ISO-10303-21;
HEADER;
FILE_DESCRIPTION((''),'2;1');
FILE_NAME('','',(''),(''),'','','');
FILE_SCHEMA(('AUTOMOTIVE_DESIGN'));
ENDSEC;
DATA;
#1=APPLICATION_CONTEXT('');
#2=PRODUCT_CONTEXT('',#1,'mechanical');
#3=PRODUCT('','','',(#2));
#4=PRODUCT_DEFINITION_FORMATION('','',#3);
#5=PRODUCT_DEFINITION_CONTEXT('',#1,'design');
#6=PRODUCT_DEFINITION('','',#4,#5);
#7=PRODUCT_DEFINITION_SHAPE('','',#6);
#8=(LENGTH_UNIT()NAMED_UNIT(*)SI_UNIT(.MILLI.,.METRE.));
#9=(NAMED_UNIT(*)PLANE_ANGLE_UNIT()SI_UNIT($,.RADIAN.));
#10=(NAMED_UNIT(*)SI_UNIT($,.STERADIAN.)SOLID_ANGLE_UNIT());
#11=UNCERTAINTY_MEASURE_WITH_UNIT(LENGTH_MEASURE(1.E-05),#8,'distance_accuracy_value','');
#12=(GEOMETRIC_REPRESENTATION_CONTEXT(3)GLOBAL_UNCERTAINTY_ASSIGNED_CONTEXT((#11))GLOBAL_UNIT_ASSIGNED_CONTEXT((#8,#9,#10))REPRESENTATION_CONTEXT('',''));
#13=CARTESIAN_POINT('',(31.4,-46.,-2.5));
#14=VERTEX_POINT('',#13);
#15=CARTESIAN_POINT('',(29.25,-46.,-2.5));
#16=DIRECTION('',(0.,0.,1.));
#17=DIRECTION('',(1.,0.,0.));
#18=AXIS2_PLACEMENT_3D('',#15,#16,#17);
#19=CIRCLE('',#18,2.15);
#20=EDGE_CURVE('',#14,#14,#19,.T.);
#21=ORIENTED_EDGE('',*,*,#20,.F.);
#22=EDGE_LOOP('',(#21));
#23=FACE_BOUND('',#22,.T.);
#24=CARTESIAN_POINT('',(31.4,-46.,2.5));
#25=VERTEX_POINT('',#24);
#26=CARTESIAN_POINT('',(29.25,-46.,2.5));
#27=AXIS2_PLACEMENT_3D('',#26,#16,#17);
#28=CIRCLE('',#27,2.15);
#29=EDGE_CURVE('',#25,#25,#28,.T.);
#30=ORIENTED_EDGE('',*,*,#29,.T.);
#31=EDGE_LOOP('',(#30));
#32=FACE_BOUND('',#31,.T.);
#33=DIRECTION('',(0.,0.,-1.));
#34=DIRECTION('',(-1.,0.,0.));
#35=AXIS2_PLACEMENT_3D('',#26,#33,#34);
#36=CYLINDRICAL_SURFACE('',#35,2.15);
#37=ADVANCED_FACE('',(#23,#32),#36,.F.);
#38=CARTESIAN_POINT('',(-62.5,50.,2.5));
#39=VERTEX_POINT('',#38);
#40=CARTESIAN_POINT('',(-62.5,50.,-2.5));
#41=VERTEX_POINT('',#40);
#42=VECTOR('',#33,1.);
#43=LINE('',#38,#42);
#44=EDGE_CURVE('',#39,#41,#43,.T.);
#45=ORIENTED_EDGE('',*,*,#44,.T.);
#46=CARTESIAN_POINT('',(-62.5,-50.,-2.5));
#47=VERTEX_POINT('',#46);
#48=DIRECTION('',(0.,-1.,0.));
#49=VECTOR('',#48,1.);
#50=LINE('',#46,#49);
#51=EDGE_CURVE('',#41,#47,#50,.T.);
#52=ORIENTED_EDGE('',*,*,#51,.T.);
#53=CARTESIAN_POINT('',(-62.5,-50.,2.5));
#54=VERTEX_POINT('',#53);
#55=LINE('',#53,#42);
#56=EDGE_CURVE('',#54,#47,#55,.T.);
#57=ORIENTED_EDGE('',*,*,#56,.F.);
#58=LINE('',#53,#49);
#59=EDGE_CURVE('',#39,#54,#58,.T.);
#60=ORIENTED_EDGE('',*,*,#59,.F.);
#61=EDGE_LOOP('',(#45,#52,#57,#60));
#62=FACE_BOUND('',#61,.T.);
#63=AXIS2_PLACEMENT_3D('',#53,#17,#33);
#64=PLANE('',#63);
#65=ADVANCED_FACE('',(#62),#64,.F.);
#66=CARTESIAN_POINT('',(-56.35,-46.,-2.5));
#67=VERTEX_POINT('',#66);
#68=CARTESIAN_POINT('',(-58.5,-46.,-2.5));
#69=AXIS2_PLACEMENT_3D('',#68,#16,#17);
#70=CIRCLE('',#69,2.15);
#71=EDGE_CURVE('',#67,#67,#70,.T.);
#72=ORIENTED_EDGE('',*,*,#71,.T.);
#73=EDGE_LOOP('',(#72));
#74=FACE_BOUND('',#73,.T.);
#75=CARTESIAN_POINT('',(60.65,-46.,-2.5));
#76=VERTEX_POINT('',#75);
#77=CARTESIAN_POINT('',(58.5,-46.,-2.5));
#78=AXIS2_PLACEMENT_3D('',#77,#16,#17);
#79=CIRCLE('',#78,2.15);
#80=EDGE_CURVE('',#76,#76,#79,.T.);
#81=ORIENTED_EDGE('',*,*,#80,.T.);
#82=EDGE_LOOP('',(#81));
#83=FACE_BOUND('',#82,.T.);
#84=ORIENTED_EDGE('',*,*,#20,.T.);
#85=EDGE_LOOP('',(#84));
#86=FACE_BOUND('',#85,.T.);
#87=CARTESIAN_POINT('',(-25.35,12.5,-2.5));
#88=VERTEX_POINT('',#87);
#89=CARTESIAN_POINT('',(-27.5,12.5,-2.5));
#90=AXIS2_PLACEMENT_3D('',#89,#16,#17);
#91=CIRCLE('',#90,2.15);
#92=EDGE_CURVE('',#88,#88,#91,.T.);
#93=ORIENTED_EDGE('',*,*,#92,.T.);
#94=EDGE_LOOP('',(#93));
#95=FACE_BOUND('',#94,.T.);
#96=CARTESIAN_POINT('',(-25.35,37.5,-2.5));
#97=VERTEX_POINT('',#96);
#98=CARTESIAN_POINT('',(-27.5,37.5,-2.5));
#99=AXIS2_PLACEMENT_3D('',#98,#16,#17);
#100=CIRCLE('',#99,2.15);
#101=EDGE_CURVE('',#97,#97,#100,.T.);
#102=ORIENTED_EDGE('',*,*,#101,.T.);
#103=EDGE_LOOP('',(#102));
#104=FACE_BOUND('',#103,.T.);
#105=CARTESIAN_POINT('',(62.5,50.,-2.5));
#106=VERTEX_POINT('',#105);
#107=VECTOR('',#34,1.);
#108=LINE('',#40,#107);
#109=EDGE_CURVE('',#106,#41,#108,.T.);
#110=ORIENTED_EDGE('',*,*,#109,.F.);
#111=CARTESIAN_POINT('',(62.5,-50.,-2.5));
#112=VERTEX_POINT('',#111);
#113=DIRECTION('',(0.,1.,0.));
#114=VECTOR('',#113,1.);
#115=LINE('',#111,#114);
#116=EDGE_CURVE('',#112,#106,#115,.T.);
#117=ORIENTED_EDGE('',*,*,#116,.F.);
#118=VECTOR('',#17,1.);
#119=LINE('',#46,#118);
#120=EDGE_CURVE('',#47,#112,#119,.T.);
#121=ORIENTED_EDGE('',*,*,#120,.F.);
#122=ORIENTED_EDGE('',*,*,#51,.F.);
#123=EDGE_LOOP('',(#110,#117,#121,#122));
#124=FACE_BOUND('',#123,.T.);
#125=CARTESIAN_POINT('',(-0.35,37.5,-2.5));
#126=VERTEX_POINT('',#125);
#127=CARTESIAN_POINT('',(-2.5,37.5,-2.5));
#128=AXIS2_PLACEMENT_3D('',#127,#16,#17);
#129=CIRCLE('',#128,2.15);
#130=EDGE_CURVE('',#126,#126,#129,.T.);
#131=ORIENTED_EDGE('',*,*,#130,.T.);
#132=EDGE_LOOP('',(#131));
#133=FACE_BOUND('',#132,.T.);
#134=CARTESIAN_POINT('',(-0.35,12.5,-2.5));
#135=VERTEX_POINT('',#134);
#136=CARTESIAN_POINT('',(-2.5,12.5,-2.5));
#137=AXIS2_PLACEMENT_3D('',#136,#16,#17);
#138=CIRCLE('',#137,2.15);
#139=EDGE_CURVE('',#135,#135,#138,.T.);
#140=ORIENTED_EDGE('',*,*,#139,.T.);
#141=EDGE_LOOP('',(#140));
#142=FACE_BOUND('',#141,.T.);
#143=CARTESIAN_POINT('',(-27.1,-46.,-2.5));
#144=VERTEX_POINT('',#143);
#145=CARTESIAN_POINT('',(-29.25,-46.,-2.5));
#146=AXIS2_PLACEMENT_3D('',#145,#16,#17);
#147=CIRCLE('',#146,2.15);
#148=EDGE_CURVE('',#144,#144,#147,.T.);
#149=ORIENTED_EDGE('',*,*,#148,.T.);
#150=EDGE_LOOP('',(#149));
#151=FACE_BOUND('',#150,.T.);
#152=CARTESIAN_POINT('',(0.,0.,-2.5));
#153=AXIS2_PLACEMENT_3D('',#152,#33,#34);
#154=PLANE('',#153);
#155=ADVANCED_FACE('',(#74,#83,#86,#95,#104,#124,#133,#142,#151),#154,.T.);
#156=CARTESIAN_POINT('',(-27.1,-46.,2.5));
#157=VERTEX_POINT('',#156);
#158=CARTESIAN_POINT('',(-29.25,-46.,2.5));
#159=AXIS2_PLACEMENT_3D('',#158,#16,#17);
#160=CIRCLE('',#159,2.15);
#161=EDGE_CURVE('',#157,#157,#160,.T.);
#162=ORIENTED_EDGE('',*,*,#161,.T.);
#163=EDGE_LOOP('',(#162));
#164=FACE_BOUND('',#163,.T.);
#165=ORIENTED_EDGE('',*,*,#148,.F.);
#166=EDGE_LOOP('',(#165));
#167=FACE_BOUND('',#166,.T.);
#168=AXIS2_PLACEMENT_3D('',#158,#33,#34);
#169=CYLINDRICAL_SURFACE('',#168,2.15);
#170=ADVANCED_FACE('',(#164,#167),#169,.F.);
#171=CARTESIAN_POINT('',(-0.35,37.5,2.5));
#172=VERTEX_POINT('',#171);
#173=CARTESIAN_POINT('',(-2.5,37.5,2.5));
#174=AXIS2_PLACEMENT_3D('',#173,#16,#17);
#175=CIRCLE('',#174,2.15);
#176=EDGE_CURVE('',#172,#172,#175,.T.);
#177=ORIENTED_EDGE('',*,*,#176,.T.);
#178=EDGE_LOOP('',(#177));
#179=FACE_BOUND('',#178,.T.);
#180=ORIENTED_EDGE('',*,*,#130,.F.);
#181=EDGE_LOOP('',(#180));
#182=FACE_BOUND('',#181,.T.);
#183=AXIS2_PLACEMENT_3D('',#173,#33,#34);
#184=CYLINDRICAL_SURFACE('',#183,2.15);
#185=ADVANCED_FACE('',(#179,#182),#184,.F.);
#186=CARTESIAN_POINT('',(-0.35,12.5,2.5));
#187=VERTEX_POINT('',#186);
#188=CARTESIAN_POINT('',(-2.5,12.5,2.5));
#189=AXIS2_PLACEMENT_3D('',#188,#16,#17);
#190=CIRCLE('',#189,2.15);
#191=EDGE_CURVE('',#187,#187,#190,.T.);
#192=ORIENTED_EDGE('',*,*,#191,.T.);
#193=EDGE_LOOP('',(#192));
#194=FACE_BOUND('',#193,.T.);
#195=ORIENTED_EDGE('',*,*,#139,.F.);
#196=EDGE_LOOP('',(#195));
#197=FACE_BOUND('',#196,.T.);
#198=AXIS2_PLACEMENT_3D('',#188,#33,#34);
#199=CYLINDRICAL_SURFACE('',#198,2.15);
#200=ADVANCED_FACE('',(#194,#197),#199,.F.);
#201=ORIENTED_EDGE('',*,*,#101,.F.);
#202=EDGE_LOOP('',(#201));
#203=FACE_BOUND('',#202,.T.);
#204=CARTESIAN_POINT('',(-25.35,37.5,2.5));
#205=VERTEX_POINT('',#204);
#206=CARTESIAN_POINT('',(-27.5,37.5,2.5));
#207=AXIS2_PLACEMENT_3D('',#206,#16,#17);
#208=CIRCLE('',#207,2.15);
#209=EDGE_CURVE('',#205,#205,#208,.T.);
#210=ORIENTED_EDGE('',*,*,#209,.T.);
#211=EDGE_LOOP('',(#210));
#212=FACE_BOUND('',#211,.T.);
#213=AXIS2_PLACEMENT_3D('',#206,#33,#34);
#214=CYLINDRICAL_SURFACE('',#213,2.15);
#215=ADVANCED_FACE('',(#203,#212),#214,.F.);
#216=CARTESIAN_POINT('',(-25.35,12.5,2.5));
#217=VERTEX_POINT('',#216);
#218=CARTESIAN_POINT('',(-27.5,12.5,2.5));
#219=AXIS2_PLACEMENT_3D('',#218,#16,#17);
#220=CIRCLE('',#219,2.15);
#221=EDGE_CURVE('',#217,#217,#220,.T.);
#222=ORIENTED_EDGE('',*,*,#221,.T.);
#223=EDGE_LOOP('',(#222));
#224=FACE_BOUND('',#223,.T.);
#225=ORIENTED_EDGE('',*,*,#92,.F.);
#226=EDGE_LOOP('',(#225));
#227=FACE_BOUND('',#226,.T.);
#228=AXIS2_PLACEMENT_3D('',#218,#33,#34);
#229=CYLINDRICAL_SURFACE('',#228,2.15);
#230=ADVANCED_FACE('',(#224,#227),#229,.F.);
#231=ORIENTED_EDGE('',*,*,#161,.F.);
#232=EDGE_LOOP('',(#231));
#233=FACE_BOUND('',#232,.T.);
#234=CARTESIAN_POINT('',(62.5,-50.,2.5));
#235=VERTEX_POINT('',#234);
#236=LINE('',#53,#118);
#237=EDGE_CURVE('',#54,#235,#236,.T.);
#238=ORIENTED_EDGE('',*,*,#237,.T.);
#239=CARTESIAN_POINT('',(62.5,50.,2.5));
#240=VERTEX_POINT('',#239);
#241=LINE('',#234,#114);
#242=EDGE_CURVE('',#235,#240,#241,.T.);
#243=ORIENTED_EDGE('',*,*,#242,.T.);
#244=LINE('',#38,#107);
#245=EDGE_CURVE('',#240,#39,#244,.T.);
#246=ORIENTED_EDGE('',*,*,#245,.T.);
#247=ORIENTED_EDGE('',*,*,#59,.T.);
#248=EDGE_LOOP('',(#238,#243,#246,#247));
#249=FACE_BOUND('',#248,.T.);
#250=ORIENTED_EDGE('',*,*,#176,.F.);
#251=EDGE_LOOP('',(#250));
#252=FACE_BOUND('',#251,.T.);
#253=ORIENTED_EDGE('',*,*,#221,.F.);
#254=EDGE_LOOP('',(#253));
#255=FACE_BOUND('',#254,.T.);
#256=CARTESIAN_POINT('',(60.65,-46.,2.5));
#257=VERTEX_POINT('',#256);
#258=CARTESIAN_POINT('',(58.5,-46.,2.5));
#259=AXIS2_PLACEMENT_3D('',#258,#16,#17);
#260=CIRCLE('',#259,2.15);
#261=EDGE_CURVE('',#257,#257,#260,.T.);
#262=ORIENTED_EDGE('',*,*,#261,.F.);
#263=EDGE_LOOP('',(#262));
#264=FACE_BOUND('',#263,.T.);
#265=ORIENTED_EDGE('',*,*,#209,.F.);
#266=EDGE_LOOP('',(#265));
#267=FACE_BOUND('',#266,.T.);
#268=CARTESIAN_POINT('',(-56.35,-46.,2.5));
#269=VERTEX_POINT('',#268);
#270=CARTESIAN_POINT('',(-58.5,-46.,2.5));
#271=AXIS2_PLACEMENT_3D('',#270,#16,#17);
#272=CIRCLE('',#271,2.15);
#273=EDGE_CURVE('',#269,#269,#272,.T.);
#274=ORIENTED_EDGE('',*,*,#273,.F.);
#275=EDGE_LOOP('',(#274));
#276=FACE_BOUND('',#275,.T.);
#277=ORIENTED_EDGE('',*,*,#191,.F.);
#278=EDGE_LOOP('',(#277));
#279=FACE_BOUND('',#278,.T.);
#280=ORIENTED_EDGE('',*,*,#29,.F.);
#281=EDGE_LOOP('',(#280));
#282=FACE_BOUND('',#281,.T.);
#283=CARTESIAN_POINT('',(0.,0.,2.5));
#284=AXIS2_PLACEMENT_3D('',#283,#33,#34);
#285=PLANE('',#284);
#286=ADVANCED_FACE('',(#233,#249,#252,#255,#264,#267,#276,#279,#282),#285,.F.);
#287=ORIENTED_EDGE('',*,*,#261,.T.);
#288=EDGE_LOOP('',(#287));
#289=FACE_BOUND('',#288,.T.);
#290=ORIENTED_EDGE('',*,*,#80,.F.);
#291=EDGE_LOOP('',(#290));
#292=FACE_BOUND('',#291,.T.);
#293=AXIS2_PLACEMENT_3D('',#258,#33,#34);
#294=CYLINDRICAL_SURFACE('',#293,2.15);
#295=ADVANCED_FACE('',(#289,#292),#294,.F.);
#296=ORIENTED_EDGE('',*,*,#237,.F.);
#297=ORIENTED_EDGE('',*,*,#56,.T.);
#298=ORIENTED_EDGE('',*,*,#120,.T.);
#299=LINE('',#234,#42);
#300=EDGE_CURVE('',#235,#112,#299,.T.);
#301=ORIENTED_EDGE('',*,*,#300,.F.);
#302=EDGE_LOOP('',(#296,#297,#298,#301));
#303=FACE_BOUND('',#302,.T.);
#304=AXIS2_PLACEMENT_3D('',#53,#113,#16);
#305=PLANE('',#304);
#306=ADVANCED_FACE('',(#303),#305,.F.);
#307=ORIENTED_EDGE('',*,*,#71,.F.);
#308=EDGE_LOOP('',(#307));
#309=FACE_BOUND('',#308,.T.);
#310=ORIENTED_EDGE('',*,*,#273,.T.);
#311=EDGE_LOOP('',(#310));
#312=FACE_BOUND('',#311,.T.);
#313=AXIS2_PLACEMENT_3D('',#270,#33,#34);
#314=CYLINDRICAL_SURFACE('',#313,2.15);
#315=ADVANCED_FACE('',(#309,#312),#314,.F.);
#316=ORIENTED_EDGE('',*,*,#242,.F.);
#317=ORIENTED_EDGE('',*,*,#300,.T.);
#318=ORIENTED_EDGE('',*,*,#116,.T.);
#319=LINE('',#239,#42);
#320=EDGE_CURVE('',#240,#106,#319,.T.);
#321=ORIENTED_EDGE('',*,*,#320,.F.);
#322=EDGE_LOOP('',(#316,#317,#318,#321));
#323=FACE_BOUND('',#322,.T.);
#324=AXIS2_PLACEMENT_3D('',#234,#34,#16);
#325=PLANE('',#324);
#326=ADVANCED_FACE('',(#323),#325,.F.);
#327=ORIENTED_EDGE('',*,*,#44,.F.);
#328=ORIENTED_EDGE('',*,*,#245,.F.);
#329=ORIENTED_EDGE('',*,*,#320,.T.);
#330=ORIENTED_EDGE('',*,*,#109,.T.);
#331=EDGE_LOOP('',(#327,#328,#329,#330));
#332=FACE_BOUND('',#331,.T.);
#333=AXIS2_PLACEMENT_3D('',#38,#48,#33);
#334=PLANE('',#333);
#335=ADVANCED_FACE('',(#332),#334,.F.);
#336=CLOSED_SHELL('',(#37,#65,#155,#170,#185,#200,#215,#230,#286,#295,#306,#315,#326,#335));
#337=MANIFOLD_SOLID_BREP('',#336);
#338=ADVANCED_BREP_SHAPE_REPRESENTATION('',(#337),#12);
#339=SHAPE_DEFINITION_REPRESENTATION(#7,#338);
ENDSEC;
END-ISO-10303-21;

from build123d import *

# Parameters (mm, degrees)
SKETCH1_W           = 125
SKETCH1_H           = 100
SKETCH1_R           = 2.15
BOSS_EXTRUDE1_DEPTH = 2.5


with BuildPart() as part:
    # Sketch1 → Boss-Extrude1 (new, symmetric)
    with BuildSketch(Plane.XY):
        Rectangle(SKETCH1_W, SKETCH1_H)
        with Locations((-27.5, 37.5)):
            Circle(SKETCH1_R, mode=Mode.SUBTRACT)
        with Locations((-2.5, 37.5)):
            Circle(SKETCH1_R, mode=Mode.SUBTRACT)
        with Locations((-2.5, 12.5)):
            Circle(SKETCH1_R, mode=Mode.SUBTRACT)
        with Locations((-27.5, 12.5)):
            Circle(SKETCH1_R, mode=Mode.SUBTRACT)
        with Locations((-58.5, -46)):
            Circle(SKETCH1_R, mode=Mode.SUBTRACT)
        with Locations((58.5, -46)):
            Circle(SKETCH1_R, mode=Mode.SUBTRACT)
        with Locations((-29.25, -46)):
            Circle(SKETCH1_R, mode=Mode.SUBTRACT)
        with Locations((29.25, -46)):
            Circle(SKETCH1_R, mode=Mode.SUBTRACT)
    extrude(amount=BOSS_EXTRUDE1_DEPTH, both=True)


solid = part.part
